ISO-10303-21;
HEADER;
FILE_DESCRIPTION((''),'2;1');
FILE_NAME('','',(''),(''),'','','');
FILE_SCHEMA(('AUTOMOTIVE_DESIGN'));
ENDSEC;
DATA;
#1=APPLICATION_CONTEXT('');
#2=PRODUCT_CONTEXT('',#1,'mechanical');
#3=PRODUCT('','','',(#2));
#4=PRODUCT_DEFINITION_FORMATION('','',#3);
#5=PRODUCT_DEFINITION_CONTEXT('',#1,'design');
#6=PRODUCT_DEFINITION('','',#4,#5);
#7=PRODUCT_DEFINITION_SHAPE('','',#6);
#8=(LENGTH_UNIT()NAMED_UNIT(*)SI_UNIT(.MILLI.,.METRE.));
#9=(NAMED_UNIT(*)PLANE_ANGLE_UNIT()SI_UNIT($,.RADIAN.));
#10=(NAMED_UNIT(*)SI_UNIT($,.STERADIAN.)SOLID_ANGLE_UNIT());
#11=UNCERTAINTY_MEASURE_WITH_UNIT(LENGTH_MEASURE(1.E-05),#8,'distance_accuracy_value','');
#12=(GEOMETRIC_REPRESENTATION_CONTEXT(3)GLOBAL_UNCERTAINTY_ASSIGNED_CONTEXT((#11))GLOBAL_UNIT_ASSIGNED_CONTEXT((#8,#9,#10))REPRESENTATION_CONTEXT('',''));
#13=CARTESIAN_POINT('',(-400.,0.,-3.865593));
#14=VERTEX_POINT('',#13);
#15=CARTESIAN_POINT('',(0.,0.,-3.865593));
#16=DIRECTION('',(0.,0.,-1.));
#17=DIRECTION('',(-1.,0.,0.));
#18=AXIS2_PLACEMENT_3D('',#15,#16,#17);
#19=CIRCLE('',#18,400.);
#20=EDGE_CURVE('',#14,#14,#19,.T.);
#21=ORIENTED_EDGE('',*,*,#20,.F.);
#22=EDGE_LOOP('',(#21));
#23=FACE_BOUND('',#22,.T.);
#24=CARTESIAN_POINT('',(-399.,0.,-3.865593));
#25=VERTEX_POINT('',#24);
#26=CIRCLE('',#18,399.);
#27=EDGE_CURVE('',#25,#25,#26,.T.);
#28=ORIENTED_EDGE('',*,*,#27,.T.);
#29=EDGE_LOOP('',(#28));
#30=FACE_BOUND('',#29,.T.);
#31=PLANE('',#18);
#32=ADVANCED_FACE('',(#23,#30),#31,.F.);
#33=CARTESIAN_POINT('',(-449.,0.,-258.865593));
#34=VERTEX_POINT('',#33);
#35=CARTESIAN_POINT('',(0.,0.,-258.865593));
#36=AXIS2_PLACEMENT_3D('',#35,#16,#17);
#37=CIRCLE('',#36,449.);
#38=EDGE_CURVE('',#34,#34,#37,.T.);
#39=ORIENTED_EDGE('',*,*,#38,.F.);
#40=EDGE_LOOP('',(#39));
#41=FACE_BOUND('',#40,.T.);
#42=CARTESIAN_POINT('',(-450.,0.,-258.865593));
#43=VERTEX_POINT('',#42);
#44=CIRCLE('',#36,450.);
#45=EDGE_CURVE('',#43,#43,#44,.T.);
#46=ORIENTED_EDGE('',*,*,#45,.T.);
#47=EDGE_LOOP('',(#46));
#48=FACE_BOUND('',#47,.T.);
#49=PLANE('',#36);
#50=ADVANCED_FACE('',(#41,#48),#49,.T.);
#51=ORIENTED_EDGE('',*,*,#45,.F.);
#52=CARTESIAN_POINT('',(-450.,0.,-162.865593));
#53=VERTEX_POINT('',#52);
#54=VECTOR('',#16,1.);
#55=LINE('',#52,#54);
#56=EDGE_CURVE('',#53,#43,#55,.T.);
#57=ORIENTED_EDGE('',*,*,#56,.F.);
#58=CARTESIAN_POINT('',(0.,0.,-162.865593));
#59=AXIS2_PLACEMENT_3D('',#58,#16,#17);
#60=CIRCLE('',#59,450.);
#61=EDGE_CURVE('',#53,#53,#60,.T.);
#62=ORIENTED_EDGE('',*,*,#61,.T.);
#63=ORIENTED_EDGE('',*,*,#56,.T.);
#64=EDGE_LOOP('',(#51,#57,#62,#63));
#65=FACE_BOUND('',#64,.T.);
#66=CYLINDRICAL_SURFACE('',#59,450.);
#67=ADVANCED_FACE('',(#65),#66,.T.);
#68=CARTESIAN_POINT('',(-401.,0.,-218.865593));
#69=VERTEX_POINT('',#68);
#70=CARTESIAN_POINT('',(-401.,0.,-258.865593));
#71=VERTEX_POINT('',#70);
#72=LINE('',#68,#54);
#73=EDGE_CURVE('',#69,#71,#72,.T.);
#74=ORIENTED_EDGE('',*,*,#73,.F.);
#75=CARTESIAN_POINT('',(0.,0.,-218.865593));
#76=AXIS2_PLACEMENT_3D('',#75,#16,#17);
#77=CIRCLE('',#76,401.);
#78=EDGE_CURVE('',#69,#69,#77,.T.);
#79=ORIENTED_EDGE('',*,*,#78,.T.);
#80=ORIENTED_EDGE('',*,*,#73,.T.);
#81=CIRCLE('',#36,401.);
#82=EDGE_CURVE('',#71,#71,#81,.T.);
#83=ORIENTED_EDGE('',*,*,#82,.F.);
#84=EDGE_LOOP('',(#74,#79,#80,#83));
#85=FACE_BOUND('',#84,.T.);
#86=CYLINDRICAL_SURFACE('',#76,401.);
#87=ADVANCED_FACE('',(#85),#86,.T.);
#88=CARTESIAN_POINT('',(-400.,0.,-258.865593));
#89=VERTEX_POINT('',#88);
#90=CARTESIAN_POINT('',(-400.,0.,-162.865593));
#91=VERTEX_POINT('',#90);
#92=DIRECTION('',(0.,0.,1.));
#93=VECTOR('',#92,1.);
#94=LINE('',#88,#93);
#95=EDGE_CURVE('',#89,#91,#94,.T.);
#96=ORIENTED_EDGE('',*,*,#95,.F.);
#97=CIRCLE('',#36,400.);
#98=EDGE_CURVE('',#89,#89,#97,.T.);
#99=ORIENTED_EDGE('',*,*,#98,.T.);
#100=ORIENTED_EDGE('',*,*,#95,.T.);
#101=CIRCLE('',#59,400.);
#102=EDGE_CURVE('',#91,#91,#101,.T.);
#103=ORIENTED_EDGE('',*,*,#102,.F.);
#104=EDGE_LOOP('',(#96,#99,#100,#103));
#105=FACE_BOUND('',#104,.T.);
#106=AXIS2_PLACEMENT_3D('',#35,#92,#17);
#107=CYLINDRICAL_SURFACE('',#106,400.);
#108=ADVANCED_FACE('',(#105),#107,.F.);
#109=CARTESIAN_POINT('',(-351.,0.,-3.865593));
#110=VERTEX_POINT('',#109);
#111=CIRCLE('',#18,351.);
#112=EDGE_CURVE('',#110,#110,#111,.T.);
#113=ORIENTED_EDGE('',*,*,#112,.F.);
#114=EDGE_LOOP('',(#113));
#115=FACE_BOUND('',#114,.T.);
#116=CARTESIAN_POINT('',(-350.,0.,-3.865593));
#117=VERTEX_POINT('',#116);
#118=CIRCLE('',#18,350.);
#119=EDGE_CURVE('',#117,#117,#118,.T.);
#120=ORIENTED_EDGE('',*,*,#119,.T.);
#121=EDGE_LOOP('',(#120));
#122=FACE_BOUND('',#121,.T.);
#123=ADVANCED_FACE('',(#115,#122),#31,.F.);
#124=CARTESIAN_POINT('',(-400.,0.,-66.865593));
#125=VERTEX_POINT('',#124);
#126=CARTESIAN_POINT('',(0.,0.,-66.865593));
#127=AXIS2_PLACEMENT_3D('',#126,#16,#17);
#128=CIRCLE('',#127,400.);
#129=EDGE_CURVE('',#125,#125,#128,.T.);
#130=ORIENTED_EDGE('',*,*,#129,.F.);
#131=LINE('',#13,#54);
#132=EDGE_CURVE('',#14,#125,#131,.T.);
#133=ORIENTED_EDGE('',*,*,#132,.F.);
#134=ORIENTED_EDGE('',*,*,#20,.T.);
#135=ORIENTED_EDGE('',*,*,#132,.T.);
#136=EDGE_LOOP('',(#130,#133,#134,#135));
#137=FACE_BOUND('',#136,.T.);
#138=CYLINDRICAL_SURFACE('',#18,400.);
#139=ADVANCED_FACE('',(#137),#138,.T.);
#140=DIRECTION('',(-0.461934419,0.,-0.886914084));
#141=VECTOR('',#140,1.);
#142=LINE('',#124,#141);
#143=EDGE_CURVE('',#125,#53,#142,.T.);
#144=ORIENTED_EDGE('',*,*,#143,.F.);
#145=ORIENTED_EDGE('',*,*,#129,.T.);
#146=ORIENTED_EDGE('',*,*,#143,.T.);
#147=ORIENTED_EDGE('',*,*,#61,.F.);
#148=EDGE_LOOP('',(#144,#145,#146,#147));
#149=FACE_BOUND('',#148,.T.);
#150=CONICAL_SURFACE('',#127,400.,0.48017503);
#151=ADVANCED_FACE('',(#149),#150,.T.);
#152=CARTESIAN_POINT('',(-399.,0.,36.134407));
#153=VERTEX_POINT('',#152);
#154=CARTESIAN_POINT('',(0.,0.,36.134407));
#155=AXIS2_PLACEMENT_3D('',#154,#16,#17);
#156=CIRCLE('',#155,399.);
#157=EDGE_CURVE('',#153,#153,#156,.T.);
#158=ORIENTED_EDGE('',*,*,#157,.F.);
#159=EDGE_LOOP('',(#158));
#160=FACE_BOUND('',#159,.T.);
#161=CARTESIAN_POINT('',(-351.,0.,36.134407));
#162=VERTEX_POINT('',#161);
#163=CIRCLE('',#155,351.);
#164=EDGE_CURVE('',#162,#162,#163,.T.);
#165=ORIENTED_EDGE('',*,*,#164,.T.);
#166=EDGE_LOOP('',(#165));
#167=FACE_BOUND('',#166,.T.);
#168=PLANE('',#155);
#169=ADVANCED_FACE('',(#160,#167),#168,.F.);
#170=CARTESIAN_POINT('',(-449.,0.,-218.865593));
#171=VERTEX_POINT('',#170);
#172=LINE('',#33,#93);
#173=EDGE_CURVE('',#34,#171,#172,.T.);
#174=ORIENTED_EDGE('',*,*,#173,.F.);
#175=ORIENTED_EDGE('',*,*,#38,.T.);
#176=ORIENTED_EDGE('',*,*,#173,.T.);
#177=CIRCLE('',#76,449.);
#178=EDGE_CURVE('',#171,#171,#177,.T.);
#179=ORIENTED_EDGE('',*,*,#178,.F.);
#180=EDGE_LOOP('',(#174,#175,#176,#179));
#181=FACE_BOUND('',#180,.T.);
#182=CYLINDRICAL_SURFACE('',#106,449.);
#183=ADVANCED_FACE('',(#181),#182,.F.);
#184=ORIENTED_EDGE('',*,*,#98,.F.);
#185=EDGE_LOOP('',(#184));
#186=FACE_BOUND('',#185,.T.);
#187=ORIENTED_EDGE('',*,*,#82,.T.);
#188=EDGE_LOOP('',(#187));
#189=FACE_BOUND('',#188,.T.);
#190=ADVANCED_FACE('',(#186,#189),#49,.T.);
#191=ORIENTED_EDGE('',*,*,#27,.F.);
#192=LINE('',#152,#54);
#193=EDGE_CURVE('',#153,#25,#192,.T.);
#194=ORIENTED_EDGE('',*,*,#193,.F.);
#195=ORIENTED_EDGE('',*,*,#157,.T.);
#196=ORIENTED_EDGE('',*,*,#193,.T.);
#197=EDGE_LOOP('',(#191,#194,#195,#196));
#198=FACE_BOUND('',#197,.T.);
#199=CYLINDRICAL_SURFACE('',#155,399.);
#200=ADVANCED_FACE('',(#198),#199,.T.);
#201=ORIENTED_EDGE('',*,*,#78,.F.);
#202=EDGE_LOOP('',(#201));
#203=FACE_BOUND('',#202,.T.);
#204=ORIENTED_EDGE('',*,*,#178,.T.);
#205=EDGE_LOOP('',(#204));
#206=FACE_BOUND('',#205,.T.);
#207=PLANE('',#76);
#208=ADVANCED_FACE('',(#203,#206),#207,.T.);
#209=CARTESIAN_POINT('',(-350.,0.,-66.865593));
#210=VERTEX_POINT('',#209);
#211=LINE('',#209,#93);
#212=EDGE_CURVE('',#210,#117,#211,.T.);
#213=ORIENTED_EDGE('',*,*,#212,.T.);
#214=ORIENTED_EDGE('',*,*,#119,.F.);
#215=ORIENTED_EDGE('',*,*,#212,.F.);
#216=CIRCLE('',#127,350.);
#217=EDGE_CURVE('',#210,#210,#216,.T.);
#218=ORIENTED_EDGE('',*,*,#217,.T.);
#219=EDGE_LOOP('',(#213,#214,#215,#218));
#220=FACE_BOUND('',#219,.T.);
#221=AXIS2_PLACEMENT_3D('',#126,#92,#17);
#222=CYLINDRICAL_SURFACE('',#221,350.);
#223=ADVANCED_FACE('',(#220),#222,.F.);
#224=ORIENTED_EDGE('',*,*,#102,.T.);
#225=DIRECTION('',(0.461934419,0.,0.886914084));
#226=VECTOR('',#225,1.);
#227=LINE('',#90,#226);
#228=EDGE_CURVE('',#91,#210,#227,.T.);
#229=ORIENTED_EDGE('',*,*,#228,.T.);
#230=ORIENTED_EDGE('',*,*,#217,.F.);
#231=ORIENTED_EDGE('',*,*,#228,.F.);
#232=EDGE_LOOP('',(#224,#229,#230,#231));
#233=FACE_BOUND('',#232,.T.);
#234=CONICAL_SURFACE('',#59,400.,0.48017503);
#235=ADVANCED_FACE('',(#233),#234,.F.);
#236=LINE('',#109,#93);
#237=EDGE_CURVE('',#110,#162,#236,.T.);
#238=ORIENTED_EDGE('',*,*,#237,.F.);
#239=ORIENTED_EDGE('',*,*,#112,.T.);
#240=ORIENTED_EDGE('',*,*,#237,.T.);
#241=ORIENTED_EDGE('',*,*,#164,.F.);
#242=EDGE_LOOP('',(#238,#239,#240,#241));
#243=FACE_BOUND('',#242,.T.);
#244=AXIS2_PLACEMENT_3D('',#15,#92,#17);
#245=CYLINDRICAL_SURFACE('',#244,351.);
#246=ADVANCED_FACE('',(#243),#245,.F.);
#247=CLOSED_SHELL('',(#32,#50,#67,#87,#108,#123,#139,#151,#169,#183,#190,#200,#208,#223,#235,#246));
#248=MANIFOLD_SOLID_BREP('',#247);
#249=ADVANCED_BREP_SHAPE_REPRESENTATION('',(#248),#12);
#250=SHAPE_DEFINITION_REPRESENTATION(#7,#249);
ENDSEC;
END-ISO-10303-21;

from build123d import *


with BuildPart() as f1:
    # F0 (on Front) → F1 (revolve)
    with BuildSketch(Plane.XZ):
        Polygon((-401, -258.865593), (-400, -258.865593), (-400, -162.865593), (-350, -66.865593), (-350, -3.865593), (-351, -3.865593), (-351, 36.134407), (-399, 36.134407), (-399, -3.865593), (-400, -3.865593), (-400, -66.865593), (-450, -162.865593), (-450, -258.865593), (-449, -258.865593), (-449, -218.865593), (-401, -218.865593), align=None)
    revolve(axis=Axis((0, 0, -0.829662), (0, 0, -1)))


solid = f1.part
